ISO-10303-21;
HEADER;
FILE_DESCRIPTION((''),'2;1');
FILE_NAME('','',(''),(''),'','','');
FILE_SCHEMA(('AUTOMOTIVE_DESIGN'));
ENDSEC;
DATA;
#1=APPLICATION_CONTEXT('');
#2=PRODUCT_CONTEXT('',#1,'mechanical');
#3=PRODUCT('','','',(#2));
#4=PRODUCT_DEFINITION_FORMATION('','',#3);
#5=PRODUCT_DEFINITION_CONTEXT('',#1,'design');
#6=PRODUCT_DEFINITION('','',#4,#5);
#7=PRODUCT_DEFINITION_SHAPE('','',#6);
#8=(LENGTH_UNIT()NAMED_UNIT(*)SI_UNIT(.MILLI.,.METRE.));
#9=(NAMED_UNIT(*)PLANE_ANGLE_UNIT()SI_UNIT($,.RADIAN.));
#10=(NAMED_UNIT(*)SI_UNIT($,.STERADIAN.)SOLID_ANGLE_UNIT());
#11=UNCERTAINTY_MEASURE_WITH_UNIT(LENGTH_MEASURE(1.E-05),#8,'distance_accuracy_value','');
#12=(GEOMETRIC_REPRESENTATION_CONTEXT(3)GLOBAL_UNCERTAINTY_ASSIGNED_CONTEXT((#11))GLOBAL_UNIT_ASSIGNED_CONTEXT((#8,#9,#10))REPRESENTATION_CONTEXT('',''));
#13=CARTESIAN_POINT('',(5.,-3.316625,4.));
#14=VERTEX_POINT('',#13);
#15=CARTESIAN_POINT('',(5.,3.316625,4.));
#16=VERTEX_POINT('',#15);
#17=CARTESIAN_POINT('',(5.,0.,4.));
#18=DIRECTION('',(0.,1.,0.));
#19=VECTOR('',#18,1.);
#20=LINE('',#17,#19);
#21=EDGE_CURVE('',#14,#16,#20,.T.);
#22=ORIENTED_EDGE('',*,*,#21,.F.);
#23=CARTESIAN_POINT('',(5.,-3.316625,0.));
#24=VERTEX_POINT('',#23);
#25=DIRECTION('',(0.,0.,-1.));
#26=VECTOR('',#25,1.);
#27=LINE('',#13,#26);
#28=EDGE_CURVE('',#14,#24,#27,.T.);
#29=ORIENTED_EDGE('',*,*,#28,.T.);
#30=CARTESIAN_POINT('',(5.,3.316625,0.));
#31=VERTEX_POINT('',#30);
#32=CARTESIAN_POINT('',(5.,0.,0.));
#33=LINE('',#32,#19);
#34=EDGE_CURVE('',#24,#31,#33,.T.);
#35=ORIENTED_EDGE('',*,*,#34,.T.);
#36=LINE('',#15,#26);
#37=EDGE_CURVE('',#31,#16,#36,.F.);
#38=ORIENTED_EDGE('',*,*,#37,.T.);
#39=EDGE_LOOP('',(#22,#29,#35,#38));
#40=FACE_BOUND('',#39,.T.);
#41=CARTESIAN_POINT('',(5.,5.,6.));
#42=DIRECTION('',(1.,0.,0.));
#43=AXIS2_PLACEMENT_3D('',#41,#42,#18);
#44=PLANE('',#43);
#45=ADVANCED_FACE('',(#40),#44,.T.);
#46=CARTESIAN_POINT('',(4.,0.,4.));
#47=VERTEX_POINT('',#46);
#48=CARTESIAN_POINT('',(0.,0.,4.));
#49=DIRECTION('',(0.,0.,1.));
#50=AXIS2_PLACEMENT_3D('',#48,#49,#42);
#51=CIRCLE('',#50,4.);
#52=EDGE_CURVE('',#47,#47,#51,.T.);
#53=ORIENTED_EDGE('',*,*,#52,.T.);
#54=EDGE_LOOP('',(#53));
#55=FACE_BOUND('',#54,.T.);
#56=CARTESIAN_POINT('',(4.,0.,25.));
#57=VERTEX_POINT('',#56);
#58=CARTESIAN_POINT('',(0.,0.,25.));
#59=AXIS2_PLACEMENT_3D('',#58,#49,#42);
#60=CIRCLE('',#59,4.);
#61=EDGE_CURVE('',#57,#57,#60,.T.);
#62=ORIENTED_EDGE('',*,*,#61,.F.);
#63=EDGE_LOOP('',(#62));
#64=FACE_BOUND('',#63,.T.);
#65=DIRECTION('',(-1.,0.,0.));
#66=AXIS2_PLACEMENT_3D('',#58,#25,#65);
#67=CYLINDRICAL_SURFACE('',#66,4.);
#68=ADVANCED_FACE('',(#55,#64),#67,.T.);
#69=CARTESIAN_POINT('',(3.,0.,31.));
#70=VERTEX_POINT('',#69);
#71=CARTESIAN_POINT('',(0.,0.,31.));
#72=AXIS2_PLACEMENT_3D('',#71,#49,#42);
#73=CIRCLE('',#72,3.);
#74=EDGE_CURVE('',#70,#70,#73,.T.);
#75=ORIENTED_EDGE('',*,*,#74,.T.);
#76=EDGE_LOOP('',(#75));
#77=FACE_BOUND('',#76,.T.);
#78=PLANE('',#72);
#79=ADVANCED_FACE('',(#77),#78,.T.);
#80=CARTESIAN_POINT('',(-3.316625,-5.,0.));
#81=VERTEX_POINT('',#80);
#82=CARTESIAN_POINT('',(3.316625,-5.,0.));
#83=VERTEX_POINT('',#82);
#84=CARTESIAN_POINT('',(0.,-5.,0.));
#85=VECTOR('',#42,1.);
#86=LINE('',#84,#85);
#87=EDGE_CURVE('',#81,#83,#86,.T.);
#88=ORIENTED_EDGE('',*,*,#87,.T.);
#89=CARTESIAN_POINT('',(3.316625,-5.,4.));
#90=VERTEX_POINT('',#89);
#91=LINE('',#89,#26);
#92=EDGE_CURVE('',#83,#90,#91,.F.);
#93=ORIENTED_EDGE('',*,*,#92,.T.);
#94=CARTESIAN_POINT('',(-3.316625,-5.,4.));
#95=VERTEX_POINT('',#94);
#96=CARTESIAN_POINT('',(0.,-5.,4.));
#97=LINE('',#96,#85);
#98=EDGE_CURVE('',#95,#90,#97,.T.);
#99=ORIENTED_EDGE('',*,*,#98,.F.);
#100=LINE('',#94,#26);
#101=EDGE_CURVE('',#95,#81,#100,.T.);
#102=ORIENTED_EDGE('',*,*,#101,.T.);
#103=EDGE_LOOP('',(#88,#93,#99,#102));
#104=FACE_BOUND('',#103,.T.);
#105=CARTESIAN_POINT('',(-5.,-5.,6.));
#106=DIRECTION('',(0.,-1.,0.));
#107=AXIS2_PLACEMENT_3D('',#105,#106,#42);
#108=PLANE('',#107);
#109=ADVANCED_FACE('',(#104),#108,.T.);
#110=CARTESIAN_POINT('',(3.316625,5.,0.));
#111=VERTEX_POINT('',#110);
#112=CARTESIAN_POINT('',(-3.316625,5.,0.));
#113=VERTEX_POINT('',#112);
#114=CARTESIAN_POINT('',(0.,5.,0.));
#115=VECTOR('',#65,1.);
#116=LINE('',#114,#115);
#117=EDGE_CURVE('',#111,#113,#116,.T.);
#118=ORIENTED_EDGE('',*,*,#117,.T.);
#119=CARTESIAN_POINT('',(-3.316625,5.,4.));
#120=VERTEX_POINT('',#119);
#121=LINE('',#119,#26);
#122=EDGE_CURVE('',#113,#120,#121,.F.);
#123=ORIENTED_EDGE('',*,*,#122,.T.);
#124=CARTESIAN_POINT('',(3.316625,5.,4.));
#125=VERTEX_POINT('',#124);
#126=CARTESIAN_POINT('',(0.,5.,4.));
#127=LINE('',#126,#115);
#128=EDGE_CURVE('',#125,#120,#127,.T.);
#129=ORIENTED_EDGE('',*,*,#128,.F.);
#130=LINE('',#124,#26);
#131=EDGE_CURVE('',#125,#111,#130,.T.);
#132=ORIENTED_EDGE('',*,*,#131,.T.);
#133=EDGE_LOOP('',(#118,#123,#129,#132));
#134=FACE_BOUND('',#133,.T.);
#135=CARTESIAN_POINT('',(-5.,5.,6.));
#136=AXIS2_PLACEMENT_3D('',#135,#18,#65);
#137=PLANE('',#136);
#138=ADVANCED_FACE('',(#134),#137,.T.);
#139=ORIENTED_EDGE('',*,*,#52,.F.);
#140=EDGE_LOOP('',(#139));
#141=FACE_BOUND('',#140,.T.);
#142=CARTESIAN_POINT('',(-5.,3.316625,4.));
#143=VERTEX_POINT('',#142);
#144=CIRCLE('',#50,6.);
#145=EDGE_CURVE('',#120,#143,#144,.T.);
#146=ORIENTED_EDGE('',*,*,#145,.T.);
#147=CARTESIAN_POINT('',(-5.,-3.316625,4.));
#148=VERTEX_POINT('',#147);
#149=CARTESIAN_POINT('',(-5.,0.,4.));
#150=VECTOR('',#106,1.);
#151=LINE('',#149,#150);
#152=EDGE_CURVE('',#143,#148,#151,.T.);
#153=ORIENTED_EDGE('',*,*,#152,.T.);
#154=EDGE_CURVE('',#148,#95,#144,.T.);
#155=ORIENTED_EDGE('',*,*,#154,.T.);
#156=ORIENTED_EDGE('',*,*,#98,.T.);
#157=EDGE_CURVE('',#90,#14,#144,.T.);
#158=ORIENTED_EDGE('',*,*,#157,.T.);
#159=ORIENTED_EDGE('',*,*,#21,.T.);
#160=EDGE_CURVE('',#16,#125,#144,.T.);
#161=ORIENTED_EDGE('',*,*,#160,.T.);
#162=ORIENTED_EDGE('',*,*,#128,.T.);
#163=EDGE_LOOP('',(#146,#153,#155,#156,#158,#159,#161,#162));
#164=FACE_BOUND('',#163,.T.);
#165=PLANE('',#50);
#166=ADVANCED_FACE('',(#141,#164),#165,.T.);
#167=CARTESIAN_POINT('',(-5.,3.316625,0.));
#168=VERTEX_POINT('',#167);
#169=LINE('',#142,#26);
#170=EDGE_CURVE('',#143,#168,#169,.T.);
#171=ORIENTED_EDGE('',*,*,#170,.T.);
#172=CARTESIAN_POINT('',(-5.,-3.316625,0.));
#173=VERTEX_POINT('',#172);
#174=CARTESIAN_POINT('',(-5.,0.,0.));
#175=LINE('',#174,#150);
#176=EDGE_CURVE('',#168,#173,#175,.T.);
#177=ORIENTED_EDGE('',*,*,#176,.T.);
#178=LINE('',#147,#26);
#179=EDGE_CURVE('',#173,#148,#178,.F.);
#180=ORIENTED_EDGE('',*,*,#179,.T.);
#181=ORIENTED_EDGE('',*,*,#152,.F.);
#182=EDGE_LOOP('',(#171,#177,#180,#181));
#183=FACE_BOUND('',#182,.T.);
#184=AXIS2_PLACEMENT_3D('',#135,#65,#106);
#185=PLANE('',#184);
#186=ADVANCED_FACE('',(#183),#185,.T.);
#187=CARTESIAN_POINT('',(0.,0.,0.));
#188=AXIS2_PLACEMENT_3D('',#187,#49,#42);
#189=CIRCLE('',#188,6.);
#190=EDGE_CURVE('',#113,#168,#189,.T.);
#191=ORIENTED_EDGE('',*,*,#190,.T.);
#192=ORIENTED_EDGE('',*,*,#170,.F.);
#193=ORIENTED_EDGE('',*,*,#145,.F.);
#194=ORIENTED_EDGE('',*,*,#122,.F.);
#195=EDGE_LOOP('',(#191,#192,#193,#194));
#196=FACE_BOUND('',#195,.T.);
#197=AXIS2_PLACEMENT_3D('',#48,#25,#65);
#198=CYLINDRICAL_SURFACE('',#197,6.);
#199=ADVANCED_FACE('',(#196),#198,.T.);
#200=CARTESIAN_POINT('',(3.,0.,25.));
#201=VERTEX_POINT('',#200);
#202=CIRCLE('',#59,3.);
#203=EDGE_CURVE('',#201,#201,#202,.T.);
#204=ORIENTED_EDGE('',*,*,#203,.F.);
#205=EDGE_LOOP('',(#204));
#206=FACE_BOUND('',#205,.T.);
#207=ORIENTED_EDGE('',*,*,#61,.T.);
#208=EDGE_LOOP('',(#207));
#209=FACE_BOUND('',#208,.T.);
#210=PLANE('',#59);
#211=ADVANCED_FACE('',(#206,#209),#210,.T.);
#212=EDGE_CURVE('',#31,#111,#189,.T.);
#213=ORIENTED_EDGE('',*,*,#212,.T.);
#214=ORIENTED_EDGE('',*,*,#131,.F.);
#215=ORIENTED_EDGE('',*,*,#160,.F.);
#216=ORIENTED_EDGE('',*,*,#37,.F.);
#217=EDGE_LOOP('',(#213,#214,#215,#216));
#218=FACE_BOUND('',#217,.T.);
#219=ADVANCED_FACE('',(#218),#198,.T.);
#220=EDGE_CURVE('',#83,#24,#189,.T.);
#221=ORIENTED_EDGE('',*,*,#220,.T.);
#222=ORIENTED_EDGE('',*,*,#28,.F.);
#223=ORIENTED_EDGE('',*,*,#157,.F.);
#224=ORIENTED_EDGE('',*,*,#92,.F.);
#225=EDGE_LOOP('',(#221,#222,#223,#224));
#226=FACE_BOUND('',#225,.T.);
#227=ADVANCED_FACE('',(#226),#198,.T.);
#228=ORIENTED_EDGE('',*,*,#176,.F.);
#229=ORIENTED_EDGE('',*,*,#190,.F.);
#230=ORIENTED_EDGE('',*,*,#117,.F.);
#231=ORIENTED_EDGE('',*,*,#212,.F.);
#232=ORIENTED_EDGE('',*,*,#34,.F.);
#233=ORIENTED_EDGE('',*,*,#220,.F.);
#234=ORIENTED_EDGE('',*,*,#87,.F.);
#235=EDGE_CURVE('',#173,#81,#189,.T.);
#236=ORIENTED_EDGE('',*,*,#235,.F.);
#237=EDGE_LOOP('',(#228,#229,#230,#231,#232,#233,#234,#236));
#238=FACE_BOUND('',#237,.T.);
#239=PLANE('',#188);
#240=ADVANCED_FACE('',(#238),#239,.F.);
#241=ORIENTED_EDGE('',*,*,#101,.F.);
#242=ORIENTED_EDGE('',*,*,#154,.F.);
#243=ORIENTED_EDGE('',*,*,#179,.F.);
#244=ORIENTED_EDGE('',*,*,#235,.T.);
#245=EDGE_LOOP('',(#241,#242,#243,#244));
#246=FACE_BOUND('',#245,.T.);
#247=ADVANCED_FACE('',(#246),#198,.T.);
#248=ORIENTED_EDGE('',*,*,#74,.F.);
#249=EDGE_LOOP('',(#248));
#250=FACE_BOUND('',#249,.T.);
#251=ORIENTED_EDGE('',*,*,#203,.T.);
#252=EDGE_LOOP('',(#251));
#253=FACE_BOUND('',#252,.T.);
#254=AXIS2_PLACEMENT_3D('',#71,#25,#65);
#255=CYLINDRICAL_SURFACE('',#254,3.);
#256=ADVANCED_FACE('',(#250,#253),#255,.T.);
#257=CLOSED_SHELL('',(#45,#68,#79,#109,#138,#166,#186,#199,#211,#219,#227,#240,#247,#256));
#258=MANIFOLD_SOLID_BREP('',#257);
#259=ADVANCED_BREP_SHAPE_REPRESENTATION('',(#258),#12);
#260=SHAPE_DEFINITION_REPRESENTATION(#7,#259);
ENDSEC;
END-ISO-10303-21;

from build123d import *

# Parameters (mm, degrees)
SKETCH_1_R          = 6
EXTRUDE_1_DEPTH     = 4
SKETCH_2_R          = 4
EXTRUDE_2_DEPTH     = 21
SKETCH_3_R          = 3
EXTRUDE_3_DEPTH     = 6
SKETCH_4_R          = 7.5
SKETCH_4_W          = 10
SKETCH_4_H          = 10
CUT_EXTRUDE_1_DEPTH = 6


with BuildPart() as part:
    # 草图1 → 凸台-拉伸1 (new body)
    with BuildSketch(Plane.XY):
        Circle(SKETCH_1_R)
    extrude(amount=EXTRUDE_1_DEPTH)

    # 草图2 → 凸台-拉伸2 (add)
    with BuildSketch(Plane.XY.offset(4)):
        Circle(SKETCH_2_R)
    extrude(amount=EXTRUDE_2_DEPTH)

    # 草图3 → 凸台-拉伸3 (add)
    with BuildSketch(Plane.XY.offset(25)):
        Circle(SKETCH_3_R)
    extrude(amount=EXTRUDE_3_DEPTH)

    # 草图4 → 切除-拉伸1 (cut)
    with BuildSketch(Plane(origin=(0, 0, 0), x_dir=(-1, 0, 0), z_dir=(0, 0, -1))):
        Circle(SKETCH_4_R)
        Rectangle(SKETCH_4_W, SKETCH_4_H, mode=Mode.SUBTRACT)
    extrude(amount=-CUT_EXTRUDE_1_DEPTH, mode=Mode.SUBTRACT)


solid = part.part
